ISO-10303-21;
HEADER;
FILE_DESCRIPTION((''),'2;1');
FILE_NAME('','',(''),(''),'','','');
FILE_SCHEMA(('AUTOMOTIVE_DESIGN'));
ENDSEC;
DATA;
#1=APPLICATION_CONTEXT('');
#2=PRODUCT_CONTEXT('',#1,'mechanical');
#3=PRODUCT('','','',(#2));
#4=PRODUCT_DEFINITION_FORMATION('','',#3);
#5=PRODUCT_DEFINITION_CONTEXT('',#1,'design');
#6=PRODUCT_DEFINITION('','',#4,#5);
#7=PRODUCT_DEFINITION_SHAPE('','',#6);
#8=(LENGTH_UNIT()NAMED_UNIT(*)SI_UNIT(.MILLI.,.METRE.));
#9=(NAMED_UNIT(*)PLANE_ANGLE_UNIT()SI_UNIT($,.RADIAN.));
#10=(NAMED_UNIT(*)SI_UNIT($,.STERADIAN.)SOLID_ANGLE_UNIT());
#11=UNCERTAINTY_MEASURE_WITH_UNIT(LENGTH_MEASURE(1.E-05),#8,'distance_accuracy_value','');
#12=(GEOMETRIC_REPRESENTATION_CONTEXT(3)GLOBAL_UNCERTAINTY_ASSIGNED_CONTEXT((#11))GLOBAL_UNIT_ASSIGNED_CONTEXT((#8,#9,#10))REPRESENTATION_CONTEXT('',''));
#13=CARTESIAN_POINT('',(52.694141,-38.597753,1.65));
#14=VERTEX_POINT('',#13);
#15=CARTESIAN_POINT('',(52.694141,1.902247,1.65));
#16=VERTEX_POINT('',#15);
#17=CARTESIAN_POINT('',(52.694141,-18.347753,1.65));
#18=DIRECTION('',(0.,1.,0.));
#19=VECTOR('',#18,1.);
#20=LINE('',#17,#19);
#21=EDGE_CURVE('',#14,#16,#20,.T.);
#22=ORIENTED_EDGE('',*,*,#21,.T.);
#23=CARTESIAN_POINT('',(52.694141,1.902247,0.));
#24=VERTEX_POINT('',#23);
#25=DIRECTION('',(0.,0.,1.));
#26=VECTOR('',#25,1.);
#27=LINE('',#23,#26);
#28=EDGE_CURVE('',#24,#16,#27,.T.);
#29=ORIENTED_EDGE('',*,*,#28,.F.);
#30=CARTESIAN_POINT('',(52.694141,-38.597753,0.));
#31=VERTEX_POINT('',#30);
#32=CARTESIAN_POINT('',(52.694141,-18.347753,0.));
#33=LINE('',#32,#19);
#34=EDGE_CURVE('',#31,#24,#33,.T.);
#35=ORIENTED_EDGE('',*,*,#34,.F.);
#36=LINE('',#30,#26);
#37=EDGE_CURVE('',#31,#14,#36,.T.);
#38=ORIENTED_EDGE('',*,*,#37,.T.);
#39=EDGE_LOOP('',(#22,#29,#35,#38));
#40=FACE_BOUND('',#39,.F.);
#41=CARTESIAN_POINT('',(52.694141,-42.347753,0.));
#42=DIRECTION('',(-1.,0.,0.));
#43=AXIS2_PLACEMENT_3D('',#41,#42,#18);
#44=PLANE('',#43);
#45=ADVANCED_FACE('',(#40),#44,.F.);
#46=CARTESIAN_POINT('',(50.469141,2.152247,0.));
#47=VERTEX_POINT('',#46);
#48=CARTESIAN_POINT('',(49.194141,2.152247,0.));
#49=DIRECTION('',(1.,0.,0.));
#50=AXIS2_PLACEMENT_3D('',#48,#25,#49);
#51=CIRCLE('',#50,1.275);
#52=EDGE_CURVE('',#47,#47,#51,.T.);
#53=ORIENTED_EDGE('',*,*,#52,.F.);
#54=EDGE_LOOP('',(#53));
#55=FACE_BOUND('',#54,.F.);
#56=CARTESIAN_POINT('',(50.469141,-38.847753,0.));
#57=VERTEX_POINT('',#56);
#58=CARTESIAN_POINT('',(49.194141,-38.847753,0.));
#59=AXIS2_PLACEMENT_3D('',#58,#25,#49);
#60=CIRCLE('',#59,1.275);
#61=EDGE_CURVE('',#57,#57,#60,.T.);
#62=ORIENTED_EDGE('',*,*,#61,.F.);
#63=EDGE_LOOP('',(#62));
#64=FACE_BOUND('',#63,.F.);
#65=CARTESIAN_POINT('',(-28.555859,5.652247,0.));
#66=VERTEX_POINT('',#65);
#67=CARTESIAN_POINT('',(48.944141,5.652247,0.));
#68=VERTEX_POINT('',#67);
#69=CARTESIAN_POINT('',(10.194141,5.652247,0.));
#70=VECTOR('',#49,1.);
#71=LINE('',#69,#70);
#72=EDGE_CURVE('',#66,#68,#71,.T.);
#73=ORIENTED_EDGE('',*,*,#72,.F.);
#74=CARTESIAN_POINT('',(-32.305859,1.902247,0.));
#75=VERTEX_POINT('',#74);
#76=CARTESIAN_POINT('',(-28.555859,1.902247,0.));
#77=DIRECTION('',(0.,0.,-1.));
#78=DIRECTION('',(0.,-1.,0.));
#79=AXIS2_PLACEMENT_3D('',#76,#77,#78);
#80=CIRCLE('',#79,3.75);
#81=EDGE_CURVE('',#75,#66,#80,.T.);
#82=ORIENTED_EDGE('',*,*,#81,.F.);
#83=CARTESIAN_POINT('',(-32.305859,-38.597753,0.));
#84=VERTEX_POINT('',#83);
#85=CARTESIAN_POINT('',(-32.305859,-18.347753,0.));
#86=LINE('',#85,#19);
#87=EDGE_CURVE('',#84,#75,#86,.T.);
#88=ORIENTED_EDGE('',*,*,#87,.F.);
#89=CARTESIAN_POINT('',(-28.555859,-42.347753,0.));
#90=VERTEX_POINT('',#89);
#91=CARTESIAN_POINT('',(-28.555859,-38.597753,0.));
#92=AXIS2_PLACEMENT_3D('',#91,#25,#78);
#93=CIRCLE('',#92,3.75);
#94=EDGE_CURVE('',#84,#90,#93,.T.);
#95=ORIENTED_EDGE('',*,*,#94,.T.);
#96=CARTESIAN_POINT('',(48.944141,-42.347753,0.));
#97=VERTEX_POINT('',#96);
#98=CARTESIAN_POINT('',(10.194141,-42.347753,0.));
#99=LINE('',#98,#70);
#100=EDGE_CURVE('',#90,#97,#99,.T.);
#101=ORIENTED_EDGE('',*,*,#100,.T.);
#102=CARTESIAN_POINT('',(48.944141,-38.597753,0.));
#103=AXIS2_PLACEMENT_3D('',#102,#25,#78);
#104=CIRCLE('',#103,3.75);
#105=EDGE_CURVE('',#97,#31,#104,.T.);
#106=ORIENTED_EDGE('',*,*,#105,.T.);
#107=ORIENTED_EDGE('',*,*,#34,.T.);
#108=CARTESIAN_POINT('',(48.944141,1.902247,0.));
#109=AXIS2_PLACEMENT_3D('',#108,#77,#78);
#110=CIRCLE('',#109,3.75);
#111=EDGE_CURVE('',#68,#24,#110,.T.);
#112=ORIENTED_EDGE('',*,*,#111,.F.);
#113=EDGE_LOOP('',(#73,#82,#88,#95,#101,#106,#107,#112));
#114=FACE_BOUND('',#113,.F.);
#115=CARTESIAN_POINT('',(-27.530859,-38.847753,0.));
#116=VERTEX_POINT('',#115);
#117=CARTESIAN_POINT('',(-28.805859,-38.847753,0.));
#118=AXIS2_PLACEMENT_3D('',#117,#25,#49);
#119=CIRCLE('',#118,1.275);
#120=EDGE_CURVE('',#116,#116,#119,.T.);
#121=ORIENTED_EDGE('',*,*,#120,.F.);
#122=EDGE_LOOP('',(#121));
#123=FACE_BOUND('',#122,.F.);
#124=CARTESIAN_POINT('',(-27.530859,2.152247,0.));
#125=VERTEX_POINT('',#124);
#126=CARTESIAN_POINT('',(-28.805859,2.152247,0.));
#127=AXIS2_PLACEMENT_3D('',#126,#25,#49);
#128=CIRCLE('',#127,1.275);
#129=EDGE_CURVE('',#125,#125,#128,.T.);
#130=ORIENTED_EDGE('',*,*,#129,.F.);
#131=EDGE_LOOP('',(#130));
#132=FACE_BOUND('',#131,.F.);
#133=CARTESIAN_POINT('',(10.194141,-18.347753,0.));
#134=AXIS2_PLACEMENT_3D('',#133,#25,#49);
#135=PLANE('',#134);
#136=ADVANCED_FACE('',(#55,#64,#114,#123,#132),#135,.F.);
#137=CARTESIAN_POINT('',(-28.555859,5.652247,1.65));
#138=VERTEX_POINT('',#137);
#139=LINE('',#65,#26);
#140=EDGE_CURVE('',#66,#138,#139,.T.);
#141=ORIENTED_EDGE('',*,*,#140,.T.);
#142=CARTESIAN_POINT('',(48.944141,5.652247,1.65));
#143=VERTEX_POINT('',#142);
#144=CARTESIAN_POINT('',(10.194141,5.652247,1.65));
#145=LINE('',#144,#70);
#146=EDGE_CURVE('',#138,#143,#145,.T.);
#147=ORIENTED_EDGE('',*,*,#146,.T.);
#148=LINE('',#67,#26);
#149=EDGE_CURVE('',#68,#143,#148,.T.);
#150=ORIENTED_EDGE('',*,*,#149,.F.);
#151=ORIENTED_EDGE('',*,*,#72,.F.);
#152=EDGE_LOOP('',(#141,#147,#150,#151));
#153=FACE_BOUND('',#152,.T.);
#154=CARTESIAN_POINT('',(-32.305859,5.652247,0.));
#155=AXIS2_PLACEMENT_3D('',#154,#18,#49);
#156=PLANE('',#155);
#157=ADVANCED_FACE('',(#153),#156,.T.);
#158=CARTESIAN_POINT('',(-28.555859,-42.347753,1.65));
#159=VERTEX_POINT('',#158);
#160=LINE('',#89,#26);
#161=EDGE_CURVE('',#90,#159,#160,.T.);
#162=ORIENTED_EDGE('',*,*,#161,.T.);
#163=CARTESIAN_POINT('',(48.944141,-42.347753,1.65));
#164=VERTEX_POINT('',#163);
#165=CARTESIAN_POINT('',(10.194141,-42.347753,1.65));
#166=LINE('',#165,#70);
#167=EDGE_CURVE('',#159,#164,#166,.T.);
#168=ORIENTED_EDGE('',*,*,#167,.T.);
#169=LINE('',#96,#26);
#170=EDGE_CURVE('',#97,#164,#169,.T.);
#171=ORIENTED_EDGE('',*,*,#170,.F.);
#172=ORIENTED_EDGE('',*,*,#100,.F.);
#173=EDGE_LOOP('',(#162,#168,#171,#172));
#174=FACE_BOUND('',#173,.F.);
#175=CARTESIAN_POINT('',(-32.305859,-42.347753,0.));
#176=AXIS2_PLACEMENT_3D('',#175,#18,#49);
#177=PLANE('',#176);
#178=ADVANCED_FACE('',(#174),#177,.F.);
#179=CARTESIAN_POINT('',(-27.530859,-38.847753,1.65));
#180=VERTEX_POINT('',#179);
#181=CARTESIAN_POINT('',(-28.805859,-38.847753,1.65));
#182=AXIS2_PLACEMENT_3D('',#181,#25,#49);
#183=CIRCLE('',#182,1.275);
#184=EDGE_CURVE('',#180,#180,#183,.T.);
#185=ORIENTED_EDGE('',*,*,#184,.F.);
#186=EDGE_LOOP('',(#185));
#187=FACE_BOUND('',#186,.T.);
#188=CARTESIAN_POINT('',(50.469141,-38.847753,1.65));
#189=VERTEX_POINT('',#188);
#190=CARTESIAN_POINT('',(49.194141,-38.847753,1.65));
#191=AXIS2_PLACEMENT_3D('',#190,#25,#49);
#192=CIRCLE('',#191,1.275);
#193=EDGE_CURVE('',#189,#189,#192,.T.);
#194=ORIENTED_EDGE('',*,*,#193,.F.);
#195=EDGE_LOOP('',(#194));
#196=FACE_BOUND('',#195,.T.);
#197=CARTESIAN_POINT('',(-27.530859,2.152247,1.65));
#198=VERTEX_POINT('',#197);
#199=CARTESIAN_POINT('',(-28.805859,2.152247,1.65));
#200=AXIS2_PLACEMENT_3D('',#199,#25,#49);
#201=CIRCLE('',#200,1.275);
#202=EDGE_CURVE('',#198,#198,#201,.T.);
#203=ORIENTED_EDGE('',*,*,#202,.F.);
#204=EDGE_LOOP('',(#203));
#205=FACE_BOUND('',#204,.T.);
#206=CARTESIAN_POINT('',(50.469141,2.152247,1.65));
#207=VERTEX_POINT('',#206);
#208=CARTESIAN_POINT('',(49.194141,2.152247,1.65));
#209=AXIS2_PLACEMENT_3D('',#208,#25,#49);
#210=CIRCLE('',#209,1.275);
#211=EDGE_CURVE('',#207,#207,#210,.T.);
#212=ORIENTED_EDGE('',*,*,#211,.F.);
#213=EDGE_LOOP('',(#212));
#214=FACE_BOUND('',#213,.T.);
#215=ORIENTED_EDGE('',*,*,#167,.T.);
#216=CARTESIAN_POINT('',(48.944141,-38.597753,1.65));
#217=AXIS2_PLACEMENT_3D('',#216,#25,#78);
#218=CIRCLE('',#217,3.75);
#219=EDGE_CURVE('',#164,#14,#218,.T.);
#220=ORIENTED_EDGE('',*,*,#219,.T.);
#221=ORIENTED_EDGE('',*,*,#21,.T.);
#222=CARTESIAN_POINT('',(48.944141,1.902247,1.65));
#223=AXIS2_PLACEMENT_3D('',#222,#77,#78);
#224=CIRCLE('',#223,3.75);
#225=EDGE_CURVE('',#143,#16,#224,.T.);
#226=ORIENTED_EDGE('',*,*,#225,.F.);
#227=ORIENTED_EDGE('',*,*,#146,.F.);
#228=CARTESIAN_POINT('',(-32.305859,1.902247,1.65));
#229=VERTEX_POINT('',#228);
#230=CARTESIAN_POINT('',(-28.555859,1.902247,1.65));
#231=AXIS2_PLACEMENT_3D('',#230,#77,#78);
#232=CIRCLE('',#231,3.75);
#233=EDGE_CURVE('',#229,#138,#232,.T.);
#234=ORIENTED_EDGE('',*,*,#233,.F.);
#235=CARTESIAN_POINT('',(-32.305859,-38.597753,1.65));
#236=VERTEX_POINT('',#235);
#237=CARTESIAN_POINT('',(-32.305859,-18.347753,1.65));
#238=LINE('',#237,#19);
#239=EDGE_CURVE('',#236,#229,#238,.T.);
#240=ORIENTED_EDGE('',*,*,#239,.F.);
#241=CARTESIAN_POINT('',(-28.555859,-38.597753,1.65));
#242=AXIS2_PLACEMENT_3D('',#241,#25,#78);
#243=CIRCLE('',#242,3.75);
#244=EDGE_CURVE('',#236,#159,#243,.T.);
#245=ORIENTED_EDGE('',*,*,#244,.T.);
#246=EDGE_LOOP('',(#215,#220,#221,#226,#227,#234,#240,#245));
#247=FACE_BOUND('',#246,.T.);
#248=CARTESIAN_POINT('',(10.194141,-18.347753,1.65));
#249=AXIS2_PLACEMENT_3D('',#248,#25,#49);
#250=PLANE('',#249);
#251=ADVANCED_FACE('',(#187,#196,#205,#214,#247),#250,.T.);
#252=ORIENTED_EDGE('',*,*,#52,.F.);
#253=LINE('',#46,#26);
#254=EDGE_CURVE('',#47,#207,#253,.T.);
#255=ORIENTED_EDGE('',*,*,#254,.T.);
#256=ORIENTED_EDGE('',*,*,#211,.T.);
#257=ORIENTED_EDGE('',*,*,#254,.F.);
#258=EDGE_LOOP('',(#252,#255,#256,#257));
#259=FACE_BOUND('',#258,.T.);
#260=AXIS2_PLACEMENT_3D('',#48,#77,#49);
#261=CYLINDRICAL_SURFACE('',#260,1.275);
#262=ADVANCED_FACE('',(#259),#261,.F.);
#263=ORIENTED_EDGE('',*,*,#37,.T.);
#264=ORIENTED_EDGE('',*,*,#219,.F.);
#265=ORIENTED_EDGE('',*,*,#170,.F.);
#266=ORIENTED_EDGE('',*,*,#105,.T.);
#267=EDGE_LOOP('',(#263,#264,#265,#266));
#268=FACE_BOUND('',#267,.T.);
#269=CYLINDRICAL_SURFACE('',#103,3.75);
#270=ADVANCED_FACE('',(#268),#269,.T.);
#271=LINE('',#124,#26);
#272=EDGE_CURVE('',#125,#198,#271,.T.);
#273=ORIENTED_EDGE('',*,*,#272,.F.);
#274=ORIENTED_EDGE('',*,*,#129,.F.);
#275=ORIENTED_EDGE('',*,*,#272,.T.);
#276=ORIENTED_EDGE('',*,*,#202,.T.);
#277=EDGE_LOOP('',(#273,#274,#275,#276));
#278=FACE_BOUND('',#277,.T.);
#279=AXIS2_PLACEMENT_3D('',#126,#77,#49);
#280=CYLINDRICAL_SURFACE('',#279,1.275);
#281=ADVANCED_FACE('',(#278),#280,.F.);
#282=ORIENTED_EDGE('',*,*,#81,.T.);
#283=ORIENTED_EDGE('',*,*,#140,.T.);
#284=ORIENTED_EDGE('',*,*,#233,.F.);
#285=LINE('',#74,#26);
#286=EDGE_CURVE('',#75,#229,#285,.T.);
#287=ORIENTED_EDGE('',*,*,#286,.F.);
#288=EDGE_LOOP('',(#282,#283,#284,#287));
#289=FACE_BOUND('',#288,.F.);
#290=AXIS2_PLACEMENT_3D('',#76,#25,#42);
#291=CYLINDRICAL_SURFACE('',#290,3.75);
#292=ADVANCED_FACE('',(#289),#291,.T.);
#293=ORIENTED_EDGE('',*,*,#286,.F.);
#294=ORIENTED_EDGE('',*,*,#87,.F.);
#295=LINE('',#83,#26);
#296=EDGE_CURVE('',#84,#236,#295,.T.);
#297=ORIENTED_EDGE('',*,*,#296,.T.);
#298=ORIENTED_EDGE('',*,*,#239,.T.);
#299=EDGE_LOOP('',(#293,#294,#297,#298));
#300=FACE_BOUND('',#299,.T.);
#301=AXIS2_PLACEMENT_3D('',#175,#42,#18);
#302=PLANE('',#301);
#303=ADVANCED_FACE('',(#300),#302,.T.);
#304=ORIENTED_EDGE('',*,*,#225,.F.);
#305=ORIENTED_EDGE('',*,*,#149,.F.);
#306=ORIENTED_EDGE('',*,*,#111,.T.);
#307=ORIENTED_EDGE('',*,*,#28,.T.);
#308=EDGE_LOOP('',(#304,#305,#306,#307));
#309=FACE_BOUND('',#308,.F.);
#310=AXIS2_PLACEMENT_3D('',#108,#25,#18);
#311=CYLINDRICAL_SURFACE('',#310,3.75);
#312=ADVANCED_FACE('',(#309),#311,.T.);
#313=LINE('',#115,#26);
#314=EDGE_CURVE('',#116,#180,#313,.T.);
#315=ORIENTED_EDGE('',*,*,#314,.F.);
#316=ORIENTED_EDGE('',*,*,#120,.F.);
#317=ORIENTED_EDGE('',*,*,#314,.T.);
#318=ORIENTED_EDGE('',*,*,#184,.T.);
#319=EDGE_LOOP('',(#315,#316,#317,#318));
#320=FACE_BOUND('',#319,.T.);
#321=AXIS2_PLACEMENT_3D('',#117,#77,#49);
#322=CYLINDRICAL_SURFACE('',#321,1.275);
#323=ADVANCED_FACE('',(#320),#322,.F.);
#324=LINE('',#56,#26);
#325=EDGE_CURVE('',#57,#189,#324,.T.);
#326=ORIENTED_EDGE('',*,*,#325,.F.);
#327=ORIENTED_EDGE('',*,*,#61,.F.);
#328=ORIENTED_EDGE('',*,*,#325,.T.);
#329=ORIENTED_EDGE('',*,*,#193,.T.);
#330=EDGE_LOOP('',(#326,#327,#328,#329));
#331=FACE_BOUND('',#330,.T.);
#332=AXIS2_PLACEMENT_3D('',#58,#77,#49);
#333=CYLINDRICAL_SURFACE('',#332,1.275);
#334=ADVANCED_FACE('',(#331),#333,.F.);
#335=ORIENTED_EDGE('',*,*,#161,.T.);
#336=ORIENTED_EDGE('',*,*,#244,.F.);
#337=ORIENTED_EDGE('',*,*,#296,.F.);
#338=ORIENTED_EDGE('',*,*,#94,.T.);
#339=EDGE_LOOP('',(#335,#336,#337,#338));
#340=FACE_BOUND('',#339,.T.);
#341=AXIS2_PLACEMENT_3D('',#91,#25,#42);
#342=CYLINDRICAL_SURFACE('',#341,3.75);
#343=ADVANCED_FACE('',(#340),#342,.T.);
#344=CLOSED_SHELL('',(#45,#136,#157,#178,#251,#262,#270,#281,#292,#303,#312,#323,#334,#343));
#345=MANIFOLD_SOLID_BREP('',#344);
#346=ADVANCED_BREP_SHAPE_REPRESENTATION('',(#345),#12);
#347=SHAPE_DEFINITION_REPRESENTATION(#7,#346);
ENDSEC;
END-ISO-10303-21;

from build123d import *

# Parameters (mm, degrees)
F0_W     = 85
F0_H     = 48
F0_R     = 1.275
F1_DEPTH = 1.65
F2_R     = 3.75


with BuildPart() as f1:
    # F0 (on Top) → F1 (new body)
    with BuildSketch(Plane.XY):
        with Locations((10.194141, -18.347753)):
            Rectangle(F0_W, F0_H)
        with Locations((-28.805859, -38.847753)):
            Circle(F0_R, mode=Mode.SUBTRACT)
        with Locations((49.194141, -38.847753)):
            Circle(F0_R, mode=Mode.SUBTRACT)
        with Locations((-28.805859, 2.152247)):
            Circle(F0_R, mode=Mode.SUBTRACT)
        with Locations((49.194141, 2.152247)):
            Circle(F0_R, mode=Mode.SUBTRACT)
    extrude(amount=F1_DEPTH)

    # F2
    f2_edges = [f1.edges().sort_by_distance(p)[0] for p in [
        (52.694141, -42.347753, 0.825),
        (-32.305859, -42.347753, 0.825),
        (-32.305859, 5.652247, 0.825),
        (52.694141, 5.652247, 0.825),
    ]]
    fillet(f2_edges, radius=F2_R)


solid = f1.part
